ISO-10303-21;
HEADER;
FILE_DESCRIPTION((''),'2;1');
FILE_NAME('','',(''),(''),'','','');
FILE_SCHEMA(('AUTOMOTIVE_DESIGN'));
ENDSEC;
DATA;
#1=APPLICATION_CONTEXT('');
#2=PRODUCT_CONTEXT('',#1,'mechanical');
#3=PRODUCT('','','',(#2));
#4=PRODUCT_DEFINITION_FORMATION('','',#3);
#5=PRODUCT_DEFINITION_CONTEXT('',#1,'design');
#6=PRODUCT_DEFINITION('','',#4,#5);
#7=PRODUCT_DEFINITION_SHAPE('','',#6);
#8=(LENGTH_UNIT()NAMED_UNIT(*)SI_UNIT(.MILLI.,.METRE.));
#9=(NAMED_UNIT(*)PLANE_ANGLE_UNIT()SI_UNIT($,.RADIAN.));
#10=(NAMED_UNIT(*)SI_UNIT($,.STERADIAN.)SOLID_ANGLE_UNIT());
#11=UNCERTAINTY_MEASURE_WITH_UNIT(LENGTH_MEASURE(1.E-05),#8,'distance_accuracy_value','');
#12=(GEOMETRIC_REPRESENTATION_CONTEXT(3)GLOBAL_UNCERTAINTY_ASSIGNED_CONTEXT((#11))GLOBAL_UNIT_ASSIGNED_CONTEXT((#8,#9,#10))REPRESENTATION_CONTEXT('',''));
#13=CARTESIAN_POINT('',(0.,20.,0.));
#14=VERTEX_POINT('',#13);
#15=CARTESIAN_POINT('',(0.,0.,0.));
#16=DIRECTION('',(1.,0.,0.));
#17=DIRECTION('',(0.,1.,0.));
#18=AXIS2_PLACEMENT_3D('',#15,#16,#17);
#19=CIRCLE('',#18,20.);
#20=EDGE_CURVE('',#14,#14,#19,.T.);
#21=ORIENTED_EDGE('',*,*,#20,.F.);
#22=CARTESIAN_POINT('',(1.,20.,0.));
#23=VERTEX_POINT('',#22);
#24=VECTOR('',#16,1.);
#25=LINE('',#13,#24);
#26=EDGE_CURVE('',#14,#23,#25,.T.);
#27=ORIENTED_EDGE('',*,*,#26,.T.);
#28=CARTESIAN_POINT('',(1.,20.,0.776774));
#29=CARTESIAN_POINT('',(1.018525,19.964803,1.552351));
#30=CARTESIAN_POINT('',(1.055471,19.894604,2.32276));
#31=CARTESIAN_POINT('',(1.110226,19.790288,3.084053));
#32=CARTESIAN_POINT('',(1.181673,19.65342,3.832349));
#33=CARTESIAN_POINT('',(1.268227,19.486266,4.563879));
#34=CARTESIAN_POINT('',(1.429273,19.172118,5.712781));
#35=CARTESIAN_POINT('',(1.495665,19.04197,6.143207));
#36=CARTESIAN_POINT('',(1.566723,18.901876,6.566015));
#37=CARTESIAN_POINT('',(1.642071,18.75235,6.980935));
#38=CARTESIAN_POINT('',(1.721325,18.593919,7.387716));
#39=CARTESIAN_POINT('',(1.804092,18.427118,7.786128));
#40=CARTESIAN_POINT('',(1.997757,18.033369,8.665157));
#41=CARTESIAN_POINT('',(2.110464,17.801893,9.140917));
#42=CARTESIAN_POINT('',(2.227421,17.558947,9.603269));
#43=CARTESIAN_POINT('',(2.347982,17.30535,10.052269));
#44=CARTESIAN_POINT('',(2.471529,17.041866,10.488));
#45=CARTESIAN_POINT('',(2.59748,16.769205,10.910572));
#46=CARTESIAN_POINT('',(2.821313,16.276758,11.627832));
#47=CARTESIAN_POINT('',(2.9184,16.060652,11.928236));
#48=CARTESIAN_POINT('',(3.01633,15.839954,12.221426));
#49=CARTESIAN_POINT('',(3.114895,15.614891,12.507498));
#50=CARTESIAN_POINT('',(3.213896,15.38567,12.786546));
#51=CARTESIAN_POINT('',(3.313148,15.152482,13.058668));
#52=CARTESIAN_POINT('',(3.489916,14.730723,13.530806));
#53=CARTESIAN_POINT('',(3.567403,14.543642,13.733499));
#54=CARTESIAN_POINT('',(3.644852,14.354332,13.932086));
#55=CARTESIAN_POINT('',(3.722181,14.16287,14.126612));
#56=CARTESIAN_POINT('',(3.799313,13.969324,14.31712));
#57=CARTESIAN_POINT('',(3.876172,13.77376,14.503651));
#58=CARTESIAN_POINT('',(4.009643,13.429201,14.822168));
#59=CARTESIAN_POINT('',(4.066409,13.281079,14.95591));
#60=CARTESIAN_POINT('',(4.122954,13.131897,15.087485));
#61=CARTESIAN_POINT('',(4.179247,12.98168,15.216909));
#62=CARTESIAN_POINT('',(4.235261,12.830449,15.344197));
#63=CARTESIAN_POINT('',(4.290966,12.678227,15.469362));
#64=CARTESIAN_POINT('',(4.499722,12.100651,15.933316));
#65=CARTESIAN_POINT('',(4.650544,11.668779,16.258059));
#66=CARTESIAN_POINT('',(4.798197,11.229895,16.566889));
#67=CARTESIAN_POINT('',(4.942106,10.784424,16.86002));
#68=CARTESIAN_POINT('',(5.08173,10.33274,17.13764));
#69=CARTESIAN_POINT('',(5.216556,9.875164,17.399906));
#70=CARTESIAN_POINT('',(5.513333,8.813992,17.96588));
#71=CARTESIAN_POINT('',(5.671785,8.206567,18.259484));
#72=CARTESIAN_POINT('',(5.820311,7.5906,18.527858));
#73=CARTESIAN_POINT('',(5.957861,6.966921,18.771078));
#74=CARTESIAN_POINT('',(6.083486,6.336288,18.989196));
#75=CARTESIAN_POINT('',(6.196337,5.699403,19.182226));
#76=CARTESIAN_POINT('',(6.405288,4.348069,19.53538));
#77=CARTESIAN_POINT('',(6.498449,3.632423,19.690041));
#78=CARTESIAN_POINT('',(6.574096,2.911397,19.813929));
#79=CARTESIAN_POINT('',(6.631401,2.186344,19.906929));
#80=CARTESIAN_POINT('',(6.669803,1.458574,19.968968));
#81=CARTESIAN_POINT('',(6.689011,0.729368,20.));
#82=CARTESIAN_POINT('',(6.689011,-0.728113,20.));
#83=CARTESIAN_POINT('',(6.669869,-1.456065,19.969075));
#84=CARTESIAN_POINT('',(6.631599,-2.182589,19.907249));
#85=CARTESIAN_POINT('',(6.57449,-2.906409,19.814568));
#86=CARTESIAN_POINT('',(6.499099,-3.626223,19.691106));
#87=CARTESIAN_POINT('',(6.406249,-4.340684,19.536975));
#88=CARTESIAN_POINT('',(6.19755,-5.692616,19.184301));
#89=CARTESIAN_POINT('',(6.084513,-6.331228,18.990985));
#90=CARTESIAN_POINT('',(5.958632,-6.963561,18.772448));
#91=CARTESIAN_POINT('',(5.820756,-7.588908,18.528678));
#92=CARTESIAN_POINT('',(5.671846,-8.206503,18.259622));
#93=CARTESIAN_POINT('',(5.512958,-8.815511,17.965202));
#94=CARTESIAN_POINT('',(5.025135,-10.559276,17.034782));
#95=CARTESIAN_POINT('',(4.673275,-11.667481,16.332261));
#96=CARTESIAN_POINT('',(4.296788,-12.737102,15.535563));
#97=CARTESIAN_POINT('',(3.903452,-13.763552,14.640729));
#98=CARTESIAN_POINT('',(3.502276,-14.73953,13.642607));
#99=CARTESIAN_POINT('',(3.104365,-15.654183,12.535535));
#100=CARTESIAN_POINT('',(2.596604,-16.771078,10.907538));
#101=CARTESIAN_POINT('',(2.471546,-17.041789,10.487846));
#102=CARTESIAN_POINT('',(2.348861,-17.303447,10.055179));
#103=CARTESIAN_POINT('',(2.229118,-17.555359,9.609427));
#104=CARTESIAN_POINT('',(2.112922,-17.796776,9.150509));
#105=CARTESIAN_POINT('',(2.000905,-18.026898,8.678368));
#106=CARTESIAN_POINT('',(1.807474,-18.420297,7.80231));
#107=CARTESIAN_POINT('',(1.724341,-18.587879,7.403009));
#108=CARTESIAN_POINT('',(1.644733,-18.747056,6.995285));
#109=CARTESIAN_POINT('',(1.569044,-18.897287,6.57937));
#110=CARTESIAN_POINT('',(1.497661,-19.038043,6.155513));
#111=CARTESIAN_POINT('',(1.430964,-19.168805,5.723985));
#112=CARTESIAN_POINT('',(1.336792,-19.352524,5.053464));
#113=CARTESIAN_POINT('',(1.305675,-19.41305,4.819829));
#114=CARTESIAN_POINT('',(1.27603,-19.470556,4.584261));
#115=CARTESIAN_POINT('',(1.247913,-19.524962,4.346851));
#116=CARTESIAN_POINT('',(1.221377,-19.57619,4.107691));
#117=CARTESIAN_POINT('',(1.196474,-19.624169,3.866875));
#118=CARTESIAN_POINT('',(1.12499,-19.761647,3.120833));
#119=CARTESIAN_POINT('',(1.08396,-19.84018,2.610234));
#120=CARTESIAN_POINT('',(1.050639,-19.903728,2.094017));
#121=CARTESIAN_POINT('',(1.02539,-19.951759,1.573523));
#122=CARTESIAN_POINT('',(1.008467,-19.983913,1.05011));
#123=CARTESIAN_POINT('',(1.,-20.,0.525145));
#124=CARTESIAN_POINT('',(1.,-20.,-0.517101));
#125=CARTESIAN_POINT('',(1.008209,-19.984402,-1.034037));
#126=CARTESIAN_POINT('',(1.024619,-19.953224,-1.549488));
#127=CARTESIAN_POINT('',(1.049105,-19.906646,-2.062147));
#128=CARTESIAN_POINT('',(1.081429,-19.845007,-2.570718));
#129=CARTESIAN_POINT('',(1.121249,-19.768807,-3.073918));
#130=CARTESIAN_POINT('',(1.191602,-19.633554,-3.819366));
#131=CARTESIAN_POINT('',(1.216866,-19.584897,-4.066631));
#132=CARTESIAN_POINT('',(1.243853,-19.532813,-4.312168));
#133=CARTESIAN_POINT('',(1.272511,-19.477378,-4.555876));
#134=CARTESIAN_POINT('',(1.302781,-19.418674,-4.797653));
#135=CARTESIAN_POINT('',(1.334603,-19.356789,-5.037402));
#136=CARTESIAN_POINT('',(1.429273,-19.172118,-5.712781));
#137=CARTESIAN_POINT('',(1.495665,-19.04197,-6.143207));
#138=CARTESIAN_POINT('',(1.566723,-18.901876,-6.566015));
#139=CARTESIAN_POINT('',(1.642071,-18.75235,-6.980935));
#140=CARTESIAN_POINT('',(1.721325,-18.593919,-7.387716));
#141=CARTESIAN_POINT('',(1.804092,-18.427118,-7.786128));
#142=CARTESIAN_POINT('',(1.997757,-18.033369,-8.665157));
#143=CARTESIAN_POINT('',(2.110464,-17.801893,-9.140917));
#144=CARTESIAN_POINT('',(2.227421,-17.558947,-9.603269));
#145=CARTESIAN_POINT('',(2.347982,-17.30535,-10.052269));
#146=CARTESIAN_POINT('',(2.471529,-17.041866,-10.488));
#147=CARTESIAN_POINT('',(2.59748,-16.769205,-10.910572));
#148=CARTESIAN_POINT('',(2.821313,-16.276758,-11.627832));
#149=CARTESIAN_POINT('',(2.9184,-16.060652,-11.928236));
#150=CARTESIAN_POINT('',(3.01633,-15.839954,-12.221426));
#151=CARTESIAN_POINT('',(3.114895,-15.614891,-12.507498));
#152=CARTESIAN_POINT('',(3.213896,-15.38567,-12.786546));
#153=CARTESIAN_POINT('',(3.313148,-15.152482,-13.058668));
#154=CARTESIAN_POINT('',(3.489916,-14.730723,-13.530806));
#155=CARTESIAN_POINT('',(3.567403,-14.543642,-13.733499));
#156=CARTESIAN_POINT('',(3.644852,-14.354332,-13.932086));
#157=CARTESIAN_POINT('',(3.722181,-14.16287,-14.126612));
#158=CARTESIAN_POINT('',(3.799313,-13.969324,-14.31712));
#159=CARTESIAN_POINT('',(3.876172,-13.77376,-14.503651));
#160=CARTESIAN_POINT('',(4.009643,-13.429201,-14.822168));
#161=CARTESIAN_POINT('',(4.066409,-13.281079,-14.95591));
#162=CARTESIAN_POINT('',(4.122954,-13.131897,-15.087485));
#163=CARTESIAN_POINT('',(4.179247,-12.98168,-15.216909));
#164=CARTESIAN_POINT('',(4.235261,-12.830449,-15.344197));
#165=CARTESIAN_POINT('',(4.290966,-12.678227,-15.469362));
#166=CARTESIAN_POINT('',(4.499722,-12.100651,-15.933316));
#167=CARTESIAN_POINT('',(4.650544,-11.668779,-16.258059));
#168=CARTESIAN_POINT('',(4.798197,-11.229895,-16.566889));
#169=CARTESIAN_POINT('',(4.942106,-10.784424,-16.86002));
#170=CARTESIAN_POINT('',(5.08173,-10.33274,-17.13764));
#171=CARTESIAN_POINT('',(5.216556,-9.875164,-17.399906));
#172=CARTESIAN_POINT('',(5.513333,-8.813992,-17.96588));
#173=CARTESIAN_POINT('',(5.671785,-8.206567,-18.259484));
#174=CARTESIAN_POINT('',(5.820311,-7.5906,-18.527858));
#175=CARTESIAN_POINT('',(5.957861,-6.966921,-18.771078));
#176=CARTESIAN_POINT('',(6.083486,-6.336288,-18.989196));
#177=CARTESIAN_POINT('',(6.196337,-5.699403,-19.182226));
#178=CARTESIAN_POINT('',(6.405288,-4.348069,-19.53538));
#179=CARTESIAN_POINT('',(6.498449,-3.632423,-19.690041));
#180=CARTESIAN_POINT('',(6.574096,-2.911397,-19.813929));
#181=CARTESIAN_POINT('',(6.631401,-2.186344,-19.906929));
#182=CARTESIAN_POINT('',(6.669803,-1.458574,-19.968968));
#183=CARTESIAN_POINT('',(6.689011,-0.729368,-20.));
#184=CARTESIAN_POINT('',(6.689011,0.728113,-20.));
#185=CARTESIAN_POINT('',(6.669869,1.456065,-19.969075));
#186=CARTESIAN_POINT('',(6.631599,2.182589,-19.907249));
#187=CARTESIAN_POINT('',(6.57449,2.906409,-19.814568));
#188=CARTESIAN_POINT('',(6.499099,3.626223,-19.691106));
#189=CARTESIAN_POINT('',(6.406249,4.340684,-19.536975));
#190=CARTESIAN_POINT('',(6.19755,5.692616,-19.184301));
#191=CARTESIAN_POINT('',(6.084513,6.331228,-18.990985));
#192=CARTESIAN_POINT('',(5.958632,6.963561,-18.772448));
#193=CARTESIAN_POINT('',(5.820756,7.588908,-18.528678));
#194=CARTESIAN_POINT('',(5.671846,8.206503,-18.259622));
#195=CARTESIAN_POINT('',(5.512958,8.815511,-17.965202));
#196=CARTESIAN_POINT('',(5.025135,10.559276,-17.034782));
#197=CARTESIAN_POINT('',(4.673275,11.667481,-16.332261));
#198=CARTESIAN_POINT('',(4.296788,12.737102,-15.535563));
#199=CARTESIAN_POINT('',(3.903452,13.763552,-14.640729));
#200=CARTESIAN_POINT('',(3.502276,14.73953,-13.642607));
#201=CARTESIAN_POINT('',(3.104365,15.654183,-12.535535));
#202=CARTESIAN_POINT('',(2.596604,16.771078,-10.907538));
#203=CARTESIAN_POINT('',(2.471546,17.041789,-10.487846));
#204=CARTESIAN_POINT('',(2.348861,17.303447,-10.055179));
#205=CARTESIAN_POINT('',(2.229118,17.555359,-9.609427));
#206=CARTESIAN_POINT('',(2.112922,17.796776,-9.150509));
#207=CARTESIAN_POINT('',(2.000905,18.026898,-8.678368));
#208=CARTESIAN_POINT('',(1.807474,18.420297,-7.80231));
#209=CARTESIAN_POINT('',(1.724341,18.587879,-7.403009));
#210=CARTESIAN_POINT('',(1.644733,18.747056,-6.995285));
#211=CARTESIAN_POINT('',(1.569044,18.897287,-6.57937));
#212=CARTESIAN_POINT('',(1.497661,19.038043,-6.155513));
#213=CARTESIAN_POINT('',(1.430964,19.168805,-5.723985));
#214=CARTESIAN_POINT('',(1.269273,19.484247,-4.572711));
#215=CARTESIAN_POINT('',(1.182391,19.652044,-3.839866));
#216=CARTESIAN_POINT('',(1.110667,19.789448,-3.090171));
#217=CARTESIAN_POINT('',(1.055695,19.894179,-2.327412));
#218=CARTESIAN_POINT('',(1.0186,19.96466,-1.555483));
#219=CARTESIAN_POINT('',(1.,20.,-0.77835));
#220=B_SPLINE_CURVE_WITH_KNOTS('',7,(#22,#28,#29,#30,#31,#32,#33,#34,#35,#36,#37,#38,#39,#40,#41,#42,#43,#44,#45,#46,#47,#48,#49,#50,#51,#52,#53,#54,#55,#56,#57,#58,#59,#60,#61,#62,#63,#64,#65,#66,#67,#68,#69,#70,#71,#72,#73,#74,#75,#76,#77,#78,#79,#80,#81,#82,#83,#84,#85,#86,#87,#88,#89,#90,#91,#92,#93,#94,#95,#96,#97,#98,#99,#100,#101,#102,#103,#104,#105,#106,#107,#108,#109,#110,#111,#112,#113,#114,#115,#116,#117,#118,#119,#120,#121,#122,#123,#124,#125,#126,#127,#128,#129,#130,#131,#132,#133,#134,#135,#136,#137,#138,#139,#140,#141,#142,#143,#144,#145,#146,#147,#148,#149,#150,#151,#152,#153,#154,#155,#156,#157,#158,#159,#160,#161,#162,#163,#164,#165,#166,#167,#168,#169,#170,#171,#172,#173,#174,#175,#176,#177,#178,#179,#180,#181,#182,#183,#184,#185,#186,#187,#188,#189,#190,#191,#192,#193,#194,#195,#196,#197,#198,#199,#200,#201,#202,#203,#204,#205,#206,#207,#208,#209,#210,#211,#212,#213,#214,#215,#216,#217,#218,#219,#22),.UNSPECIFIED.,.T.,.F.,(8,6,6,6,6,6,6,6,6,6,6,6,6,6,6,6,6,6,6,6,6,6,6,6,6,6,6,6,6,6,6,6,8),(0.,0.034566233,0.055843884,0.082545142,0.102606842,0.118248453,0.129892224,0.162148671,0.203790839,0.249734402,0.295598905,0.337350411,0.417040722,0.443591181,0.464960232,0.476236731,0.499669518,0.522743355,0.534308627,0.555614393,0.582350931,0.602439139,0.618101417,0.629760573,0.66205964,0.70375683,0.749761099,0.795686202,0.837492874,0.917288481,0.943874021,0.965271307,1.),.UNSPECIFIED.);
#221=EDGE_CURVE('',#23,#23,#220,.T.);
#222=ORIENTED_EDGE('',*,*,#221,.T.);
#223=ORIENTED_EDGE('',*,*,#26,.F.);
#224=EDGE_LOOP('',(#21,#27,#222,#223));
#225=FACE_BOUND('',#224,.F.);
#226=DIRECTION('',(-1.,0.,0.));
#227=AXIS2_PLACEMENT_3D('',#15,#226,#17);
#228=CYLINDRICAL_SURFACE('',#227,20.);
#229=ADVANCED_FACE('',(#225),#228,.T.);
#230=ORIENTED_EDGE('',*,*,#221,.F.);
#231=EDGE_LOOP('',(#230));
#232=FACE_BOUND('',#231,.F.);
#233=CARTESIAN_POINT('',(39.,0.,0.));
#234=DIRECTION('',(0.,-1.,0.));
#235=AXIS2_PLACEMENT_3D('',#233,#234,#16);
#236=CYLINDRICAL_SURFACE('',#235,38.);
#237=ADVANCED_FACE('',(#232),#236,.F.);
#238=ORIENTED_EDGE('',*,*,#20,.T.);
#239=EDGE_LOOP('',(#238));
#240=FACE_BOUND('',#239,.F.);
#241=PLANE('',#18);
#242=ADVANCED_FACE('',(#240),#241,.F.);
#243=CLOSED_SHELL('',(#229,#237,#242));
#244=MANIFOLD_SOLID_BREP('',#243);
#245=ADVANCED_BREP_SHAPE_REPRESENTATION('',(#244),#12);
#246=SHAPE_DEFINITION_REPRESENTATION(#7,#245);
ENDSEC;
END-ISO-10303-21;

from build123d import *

# Parameters (mm, degrees)
F0_R     = 20
F1_DEPTH = 10
F2_R     = 38
F3_DEPTH = 30


with BuildPart() as f1:
    # F0 (on Right) → F1 (new body)
    with BuildSketch(Plane.YZ):
        Circle(F0_R)
    extrude(amount=F1_DEPTH)

    # F2 (on Front) → F3 (cut, symmetric)
    with BuildSketch(Plane.XZ):
        with Locations((39, 0)):
            Circle(F2_R)
    extrude(amount=F3_DEPTH, both=True, mode=Mode.SUBTRACT)


solid = f1.part
